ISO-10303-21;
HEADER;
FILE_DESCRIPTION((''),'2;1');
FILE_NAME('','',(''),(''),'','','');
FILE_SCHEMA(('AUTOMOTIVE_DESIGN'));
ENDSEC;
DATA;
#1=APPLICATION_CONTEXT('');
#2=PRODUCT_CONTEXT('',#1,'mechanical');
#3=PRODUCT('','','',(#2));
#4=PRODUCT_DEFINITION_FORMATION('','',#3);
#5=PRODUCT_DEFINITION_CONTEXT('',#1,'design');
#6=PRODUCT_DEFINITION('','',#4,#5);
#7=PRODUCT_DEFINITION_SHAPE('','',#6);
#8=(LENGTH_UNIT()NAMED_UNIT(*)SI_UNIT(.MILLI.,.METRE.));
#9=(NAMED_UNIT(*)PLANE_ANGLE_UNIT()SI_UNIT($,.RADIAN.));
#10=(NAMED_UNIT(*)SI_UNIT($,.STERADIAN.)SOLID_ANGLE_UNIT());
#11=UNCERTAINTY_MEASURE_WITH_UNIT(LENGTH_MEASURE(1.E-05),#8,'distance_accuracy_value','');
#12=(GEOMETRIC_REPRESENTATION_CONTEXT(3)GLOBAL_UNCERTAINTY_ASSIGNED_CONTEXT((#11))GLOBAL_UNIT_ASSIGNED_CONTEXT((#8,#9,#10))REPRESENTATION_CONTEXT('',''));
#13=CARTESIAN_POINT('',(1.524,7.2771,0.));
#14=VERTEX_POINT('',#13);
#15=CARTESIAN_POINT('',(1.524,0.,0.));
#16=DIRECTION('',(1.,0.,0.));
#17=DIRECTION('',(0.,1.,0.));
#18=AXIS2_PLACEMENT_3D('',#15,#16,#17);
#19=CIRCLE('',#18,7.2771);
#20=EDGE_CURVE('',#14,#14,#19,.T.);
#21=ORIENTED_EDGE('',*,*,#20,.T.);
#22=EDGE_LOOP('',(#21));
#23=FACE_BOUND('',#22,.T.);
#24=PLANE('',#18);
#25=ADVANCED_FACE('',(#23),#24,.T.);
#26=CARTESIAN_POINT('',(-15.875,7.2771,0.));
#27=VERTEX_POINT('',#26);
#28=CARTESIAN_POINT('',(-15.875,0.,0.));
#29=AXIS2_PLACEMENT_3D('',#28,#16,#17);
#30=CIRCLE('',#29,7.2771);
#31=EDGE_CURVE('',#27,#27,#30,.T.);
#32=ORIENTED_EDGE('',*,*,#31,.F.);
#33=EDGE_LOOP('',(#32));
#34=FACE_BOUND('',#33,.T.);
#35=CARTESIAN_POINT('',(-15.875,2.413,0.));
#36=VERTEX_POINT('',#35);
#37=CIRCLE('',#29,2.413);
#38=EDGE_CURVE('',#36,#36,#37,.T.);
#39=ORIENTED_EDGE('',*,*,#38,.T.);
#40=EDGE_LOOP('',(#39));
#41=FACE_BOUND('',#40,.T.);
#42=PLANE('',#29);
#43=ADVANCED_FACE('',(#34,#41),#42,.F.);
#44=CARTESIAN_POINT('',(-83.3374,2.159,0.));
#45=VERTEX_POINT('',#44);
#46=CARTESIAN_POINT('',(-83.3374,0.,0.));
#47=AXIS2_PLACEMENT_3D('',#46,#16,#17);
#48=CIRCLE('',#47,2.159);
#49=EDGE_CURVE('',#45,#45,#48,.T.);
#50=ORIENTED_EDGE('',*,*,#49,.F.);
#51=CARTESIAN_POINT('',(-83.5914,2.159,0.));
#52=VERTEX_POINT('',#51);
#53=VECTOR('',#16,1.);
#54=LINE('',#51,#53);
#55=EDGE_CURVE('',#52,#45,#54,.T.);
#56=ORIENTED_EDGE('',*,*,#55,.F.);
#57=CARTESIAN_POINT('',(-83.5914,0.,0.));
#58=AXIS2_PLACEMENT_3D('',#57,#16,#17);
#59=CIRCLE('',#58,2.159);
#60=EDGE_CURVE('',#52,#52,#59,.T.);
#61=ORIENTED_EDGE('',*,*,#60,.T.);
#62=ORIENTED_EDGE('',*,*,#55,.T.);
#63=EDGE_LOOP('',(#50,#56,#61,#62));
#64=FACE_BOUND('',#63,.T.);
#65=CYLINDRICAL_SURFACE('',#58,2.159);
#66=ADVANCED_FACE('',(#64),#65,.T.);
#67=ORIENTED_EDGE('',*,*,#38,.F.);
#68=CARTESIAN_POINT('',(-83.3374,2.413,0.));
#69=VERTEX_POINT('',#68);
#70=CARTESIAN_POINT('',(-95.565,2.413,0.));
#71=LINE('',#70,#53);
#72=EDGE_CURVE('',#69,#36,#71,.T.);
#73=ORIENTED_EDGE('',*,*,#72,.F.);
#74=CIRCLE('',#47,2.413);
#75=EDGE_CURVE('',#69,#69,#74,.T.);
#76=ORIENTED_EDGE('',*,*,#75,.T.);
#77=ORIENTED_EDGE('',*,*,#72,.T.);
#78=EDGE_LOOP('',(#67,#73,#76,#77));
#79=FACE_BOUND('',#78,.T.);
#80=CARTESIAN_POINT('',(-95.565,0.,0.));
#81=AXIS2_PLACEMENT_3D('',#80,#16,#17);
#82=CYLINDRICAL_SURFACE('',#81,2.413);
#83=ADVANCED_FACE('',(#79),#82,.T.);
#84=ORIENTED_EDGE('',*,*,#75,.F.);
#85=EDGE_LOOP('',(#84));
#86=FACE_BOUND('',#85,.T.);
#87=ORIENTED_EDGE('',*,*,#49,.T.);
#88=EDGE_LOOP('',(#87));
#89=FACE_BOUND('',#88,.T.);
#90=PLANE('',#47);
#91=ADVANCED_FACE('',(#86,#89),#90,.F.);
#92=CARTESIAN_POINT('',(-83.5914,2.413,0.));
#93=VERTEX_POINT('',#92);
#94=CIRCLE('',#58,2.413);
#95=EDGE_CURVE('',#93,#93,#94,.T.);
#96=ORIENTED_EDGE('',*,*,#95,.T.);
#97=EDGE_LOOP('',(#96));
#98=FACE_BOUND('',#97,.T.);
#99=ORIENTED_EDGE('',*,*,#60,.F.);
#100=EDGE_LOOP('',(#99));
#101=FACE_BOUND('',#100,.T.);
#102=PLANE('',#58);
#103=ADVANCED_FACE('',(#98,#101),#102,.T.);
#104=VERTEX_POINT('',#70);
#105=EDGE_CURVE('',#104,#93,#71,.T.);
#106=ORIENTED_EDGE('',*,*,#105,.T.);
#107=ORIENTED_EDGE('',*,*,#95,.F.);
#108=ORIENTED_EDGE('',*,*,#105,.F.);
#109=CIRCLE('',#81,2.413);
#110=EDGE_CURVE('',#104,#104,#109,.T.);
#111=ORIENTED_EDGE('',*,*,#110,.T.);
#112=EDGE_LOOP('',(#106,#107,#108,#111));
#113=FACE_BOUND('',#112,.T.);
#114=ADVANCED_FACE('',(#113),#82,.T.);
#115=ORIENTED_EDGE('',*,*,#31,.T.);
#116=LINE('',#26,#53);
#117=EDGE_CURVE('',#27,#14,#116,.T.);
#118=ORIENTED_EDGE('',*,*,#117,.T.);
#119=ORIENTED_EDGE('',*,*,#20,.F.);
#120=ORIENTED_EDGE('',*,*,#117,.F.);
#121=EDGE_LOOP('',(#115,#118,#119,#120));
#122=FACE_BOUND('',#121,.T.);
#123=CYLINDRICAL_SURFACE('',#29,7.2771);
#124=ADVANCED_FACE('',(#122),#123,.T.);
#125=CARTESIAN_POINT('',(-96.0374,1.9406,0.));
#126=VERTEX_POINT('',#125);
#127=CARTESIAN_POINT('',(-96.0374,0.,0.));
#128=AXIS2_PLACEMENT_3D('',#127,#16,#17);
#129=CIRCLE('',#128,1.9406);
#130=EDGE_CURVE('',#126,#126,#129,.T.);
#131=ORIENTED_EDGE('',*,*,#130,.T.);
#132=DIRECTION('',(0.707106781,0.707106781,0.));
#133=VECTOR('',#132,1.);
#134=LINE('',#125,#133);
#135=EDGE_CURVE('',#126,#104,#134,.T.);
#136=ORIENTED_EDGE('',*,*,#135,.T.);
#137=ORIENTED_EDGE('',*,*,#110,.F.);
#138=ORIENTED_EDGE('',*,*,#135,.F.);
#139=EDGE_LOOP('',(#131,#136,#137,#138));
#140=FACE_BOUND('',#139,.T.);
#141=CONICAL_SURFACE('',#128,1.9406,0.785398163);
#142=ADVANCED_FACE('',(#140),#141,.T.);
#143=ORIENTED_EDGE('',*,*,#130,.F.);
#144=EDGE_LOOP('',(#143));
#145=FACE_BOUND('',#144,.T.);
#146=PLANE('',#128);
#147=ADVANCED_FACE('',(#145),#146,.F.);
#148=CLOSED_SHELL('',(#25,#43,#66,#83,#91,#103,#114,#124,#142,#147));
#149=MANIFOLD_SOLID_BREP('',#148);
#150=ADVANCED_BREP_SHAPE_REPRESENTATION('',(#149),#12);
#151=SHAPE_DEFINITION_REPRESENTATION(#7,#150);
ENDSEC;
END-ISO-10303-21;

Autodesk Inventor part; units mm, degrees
sketch "Sketch_3" plane through (0, 0, 0) normal (0, 0, 1) x (1, 0, 0)
  line L0 (0, 0) -> (-96.0374, 0)
  line L1 (-96.0374, 0) -> (-96.0374, 1.9406)
  line L2 (-96.0374, 1.9406) -> (-95.565, 2.413)
  line L3 (-95.565, 2.413) -> (0, 2.413)
  line L4 (0, 2.413) -> (0, 0)
  line L5 (0, 0) -> (-96.0374, 0)
revolve "Revolution1" add sketch "Sketch_3" angle 360 about axis through (0, 0, 0) along (1, 0, 0)
thread "Thread1" size "10-32 UNF" class "2A" standard "ANSI Unified Screw Threads" length 12.446 offset 83.5914
sketch "Sketch_17" plane through (0, 0, 0) normal (0, 0, 1) x (1, 0, 0)
  line L0 (96.0374, 0) -> (-96.0374, 0)
  line L1 (-83.5914, 2.413) -> (-83.5914, 2.159)
  line L2 (-83.5914, 2.159) -> (-83.3374, 2.159)
  line L3 (-83.3374, 2.159) -> (-83.3374, 2.413)
  line L4 (-83.3374, 2.413) -> (-83.5914, 2.413)
revolve "Revolution2" cut sketch "Sketch_17" angle 360 about axis through (96.0374, 0, 0) along (1, 0, 0)
sketch "Sketch_12" plane through (0, 0, 0) normal (0, 0, 1) x (1, 0, 0)
  line L0 (1.524, 0) -> (-15.875, 0)
  line L1 (-15.875, 0) -> (-15.875, 7.2771)
  line L2 (-15.875, 7.2771) -> (1.524, 7.2771)
  line L3 (1.524, 7.2771) -> (1.524, 0)
  line L4 (1.524, 0) -> (-15.875, 0)
revolve "Revolution3" add sketch "Sketch_12" angle 360 about axis through (1.524, 0, 0) along (1, 0, 0)
ref_plane "h1_XY" through (-96.0374, 0, 0) normal (0, 1, 0) x (1, 0, 0)
ref_plane "h1_YZ" through (-96.0374, 0, 0) normal (1, 0, 0) x (0, 0, -1)
ref_plane "h1_ZX" through (-96.0374, 0, 0) normal (0, 0, -1) x (0, 1, 0)
ref_plane "h2_XY" through (-83.3374, 0, 0) normal (0, 1, 0) x (1, 0, 0)
ref_plane "h2_YZ" through (-83.3374, 0, 0) normal (1, 0, 0) x (0, 0, -1)
ref_plane "h2_ZX" through (-83.3374, 0, 0) normal (0, 0, -1) x (0, 1, 0)
ref_plane "k1_XY" through (-96.0374, 0, -2.413) normal (0, 1, 0) x (1, 0, 0)
ref_plane "k1_YZ" through (-96.0374, 0, -2.413) normal (1, 0, 0) x (0, 0, -1)
ref_plane "k1_ZX" through (-96.0374, 0, -2.413) normal (0, 0, -1) x (0, 1, 0)
ref_plane "k2_XY" through (-96.0374, 0, 2.413) normal (0, 1, 0) x (1, 0, 0)
ref_plane "k2_YZ" through (-96.0374, 0, 2.413) normal (1, 0, 0) x (0, 0, -1)
ref_plane "k2_ZX" through (-96.0374, 0, 2.413) normal (0, 0, -1) x (0, 1, 0)
ref_plane "start_XY" through (-83.3374, 0, 0) normal (0, 1, 0) x (1, 0, 0)
ref_plane "start_YZ" through (-83.3374, 0, 0) normal (1, 0, 0) x (0, 0, -1)
ref_plane "start_ZX" through (-83.3374, 0, 0) normal (0, 0, -1) x (0, 1, 0)
ref_plane "to_prc_XY" through (-83.3374, 0, 0) normal (1, 0, 0) x (0, 0, -1)
ref_plane "to_prc_YZ" through (-83.3374, 0, 0) normal (0, 0, -1) x (0, 1, 0)
ref_plane "to_prc_ZX" through (-83.3374, 0, 0) normal (0, 1, 0) x (1, 0, 0)
ref_plane "to_rod_guide_XY" through (-96.0374, 0, 0) normal (1, 0, 0) x (0, 0, -1)
ref_plane "to_rod_guide_YZ" through (-96.0374, 0, 0) normal (0, 0, -1) x (0, 1, 0)
ref_plane "to_rod_guide_ZX" through (-96.0374, 0, 0) normal (0, 1, 0) x (1, 0, 0)
properties part number "D-75081.25-0.25XP-3.781-3pos" material "Steel"
